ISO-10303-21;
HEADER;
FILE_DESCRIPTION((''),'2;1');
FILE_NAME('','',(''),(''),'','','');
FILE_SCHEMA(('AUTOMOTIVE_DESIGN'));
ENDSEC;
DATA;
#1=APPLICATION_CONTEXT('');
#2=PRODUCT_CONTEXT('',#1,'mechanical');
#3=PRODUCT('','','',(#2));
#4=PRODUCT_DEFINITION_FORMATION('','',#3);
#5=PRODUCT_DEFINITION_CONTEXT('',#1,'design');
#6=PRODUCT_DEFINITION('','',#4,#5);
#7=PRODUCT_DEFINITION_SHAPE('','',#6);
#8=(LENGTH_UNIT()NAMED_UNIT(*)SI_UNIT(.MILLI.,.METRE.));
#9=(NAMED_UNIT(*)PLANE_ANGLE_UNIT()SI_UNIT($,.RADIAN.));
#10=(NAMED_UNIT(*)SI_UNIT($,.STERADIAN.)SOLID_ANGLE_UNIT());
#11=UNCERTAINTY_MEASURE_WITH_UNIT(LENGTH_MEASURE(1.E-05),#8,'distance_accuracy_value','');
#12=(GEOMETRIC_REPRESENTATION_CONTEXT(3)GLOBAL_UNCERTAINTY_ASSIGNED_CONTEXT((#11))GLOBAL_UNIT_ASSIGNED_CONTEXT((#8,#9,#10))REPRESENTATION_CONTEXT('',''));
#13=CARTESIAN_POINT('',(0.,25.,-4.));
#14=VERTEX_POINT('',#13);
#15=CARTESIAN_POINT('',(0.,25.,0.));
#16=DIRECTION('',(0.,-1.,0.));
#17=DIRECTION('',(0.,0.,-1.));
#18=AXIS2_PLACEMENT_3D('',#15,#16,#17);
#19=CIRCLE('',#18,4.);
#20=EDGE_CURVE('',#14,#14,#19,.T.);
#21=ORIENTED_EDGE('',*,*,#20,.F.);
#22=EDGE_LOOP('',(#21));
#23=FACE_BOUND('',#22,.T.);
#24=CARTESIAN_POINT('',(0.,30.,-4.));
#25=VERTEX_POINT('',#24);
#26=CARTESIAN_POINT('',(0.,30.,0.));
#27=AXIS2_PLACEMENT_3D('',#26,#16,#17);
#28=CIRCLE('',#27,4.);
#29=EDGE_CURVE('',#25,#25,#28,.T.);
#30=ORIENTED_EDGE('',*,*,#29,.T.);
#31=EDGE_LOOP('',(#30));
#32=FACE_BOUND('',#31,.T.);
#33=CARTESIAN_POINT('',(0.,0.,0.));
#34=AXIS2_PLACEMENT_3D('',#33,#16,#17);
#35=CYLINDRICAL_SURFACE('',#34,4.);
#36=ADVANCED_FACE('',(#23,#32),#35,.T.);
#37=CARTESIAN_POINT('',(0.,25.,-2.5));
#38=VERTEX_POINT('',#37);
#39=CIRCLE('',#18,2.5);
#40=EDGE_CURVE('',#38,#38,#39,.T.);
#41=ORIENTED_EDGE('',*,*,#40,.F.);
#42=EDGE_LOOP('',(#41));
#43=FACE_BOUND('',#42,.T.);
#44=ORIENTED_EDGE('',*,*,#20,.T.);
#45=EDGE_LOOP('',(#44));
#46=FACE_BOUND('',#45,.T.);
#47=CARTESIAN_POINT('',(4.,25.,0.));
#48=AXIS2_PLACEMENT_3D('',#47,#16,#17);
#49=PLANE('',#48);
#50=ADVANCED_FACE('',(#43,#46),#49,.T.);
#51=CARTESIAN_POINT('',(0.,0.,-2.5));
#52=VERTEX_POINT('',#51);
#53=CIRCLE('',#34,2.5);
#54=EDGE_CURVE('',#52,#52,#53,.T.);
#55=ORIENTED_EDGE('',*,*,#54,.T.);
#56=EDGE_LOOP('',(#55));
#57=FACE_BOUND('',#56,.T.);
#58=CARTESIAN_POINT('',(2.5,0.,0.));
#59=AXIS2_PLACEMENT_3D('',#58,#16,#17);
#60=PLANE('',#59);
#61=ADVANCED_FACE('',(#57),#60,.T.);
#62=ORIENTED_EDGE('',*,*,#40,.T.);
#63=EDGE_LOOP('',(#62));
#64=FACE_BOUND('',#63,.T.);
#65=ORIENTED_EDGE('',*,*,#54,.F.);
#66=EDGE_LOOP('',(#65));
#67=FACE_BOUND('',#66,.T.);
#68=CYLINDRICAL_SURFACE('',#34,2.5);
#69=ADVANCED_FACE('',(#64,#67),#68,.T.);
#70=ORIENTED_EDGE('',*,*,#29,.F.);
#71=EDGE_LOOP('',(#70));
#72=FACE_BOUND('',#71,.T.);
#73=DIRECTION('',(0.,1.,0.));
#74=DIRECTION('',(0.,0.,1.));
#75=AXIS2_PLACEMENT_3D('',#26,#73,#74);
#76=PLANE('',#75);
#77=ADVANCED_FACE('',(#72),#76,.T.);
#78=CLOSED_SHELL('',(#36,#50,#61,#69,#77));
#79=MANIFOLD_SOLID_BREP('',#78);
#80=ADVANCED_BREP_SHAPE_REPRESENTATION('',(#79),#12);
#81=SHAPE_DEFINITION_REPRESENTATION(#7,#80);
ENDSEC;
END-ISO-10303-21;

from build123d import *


with BuildPart() as part:
    # Sketch1 → Revolve1 (revolve)
    with BuildSketch(Plane.XY):
        Polygon((0, 0), (0, 30), (4, 30), (4, 25), (2.5, 25), (2.5, 0), align=None)
    revolve(axis=Axis((0, 0, 0), (0, 1, 0)))


solid = part.part
